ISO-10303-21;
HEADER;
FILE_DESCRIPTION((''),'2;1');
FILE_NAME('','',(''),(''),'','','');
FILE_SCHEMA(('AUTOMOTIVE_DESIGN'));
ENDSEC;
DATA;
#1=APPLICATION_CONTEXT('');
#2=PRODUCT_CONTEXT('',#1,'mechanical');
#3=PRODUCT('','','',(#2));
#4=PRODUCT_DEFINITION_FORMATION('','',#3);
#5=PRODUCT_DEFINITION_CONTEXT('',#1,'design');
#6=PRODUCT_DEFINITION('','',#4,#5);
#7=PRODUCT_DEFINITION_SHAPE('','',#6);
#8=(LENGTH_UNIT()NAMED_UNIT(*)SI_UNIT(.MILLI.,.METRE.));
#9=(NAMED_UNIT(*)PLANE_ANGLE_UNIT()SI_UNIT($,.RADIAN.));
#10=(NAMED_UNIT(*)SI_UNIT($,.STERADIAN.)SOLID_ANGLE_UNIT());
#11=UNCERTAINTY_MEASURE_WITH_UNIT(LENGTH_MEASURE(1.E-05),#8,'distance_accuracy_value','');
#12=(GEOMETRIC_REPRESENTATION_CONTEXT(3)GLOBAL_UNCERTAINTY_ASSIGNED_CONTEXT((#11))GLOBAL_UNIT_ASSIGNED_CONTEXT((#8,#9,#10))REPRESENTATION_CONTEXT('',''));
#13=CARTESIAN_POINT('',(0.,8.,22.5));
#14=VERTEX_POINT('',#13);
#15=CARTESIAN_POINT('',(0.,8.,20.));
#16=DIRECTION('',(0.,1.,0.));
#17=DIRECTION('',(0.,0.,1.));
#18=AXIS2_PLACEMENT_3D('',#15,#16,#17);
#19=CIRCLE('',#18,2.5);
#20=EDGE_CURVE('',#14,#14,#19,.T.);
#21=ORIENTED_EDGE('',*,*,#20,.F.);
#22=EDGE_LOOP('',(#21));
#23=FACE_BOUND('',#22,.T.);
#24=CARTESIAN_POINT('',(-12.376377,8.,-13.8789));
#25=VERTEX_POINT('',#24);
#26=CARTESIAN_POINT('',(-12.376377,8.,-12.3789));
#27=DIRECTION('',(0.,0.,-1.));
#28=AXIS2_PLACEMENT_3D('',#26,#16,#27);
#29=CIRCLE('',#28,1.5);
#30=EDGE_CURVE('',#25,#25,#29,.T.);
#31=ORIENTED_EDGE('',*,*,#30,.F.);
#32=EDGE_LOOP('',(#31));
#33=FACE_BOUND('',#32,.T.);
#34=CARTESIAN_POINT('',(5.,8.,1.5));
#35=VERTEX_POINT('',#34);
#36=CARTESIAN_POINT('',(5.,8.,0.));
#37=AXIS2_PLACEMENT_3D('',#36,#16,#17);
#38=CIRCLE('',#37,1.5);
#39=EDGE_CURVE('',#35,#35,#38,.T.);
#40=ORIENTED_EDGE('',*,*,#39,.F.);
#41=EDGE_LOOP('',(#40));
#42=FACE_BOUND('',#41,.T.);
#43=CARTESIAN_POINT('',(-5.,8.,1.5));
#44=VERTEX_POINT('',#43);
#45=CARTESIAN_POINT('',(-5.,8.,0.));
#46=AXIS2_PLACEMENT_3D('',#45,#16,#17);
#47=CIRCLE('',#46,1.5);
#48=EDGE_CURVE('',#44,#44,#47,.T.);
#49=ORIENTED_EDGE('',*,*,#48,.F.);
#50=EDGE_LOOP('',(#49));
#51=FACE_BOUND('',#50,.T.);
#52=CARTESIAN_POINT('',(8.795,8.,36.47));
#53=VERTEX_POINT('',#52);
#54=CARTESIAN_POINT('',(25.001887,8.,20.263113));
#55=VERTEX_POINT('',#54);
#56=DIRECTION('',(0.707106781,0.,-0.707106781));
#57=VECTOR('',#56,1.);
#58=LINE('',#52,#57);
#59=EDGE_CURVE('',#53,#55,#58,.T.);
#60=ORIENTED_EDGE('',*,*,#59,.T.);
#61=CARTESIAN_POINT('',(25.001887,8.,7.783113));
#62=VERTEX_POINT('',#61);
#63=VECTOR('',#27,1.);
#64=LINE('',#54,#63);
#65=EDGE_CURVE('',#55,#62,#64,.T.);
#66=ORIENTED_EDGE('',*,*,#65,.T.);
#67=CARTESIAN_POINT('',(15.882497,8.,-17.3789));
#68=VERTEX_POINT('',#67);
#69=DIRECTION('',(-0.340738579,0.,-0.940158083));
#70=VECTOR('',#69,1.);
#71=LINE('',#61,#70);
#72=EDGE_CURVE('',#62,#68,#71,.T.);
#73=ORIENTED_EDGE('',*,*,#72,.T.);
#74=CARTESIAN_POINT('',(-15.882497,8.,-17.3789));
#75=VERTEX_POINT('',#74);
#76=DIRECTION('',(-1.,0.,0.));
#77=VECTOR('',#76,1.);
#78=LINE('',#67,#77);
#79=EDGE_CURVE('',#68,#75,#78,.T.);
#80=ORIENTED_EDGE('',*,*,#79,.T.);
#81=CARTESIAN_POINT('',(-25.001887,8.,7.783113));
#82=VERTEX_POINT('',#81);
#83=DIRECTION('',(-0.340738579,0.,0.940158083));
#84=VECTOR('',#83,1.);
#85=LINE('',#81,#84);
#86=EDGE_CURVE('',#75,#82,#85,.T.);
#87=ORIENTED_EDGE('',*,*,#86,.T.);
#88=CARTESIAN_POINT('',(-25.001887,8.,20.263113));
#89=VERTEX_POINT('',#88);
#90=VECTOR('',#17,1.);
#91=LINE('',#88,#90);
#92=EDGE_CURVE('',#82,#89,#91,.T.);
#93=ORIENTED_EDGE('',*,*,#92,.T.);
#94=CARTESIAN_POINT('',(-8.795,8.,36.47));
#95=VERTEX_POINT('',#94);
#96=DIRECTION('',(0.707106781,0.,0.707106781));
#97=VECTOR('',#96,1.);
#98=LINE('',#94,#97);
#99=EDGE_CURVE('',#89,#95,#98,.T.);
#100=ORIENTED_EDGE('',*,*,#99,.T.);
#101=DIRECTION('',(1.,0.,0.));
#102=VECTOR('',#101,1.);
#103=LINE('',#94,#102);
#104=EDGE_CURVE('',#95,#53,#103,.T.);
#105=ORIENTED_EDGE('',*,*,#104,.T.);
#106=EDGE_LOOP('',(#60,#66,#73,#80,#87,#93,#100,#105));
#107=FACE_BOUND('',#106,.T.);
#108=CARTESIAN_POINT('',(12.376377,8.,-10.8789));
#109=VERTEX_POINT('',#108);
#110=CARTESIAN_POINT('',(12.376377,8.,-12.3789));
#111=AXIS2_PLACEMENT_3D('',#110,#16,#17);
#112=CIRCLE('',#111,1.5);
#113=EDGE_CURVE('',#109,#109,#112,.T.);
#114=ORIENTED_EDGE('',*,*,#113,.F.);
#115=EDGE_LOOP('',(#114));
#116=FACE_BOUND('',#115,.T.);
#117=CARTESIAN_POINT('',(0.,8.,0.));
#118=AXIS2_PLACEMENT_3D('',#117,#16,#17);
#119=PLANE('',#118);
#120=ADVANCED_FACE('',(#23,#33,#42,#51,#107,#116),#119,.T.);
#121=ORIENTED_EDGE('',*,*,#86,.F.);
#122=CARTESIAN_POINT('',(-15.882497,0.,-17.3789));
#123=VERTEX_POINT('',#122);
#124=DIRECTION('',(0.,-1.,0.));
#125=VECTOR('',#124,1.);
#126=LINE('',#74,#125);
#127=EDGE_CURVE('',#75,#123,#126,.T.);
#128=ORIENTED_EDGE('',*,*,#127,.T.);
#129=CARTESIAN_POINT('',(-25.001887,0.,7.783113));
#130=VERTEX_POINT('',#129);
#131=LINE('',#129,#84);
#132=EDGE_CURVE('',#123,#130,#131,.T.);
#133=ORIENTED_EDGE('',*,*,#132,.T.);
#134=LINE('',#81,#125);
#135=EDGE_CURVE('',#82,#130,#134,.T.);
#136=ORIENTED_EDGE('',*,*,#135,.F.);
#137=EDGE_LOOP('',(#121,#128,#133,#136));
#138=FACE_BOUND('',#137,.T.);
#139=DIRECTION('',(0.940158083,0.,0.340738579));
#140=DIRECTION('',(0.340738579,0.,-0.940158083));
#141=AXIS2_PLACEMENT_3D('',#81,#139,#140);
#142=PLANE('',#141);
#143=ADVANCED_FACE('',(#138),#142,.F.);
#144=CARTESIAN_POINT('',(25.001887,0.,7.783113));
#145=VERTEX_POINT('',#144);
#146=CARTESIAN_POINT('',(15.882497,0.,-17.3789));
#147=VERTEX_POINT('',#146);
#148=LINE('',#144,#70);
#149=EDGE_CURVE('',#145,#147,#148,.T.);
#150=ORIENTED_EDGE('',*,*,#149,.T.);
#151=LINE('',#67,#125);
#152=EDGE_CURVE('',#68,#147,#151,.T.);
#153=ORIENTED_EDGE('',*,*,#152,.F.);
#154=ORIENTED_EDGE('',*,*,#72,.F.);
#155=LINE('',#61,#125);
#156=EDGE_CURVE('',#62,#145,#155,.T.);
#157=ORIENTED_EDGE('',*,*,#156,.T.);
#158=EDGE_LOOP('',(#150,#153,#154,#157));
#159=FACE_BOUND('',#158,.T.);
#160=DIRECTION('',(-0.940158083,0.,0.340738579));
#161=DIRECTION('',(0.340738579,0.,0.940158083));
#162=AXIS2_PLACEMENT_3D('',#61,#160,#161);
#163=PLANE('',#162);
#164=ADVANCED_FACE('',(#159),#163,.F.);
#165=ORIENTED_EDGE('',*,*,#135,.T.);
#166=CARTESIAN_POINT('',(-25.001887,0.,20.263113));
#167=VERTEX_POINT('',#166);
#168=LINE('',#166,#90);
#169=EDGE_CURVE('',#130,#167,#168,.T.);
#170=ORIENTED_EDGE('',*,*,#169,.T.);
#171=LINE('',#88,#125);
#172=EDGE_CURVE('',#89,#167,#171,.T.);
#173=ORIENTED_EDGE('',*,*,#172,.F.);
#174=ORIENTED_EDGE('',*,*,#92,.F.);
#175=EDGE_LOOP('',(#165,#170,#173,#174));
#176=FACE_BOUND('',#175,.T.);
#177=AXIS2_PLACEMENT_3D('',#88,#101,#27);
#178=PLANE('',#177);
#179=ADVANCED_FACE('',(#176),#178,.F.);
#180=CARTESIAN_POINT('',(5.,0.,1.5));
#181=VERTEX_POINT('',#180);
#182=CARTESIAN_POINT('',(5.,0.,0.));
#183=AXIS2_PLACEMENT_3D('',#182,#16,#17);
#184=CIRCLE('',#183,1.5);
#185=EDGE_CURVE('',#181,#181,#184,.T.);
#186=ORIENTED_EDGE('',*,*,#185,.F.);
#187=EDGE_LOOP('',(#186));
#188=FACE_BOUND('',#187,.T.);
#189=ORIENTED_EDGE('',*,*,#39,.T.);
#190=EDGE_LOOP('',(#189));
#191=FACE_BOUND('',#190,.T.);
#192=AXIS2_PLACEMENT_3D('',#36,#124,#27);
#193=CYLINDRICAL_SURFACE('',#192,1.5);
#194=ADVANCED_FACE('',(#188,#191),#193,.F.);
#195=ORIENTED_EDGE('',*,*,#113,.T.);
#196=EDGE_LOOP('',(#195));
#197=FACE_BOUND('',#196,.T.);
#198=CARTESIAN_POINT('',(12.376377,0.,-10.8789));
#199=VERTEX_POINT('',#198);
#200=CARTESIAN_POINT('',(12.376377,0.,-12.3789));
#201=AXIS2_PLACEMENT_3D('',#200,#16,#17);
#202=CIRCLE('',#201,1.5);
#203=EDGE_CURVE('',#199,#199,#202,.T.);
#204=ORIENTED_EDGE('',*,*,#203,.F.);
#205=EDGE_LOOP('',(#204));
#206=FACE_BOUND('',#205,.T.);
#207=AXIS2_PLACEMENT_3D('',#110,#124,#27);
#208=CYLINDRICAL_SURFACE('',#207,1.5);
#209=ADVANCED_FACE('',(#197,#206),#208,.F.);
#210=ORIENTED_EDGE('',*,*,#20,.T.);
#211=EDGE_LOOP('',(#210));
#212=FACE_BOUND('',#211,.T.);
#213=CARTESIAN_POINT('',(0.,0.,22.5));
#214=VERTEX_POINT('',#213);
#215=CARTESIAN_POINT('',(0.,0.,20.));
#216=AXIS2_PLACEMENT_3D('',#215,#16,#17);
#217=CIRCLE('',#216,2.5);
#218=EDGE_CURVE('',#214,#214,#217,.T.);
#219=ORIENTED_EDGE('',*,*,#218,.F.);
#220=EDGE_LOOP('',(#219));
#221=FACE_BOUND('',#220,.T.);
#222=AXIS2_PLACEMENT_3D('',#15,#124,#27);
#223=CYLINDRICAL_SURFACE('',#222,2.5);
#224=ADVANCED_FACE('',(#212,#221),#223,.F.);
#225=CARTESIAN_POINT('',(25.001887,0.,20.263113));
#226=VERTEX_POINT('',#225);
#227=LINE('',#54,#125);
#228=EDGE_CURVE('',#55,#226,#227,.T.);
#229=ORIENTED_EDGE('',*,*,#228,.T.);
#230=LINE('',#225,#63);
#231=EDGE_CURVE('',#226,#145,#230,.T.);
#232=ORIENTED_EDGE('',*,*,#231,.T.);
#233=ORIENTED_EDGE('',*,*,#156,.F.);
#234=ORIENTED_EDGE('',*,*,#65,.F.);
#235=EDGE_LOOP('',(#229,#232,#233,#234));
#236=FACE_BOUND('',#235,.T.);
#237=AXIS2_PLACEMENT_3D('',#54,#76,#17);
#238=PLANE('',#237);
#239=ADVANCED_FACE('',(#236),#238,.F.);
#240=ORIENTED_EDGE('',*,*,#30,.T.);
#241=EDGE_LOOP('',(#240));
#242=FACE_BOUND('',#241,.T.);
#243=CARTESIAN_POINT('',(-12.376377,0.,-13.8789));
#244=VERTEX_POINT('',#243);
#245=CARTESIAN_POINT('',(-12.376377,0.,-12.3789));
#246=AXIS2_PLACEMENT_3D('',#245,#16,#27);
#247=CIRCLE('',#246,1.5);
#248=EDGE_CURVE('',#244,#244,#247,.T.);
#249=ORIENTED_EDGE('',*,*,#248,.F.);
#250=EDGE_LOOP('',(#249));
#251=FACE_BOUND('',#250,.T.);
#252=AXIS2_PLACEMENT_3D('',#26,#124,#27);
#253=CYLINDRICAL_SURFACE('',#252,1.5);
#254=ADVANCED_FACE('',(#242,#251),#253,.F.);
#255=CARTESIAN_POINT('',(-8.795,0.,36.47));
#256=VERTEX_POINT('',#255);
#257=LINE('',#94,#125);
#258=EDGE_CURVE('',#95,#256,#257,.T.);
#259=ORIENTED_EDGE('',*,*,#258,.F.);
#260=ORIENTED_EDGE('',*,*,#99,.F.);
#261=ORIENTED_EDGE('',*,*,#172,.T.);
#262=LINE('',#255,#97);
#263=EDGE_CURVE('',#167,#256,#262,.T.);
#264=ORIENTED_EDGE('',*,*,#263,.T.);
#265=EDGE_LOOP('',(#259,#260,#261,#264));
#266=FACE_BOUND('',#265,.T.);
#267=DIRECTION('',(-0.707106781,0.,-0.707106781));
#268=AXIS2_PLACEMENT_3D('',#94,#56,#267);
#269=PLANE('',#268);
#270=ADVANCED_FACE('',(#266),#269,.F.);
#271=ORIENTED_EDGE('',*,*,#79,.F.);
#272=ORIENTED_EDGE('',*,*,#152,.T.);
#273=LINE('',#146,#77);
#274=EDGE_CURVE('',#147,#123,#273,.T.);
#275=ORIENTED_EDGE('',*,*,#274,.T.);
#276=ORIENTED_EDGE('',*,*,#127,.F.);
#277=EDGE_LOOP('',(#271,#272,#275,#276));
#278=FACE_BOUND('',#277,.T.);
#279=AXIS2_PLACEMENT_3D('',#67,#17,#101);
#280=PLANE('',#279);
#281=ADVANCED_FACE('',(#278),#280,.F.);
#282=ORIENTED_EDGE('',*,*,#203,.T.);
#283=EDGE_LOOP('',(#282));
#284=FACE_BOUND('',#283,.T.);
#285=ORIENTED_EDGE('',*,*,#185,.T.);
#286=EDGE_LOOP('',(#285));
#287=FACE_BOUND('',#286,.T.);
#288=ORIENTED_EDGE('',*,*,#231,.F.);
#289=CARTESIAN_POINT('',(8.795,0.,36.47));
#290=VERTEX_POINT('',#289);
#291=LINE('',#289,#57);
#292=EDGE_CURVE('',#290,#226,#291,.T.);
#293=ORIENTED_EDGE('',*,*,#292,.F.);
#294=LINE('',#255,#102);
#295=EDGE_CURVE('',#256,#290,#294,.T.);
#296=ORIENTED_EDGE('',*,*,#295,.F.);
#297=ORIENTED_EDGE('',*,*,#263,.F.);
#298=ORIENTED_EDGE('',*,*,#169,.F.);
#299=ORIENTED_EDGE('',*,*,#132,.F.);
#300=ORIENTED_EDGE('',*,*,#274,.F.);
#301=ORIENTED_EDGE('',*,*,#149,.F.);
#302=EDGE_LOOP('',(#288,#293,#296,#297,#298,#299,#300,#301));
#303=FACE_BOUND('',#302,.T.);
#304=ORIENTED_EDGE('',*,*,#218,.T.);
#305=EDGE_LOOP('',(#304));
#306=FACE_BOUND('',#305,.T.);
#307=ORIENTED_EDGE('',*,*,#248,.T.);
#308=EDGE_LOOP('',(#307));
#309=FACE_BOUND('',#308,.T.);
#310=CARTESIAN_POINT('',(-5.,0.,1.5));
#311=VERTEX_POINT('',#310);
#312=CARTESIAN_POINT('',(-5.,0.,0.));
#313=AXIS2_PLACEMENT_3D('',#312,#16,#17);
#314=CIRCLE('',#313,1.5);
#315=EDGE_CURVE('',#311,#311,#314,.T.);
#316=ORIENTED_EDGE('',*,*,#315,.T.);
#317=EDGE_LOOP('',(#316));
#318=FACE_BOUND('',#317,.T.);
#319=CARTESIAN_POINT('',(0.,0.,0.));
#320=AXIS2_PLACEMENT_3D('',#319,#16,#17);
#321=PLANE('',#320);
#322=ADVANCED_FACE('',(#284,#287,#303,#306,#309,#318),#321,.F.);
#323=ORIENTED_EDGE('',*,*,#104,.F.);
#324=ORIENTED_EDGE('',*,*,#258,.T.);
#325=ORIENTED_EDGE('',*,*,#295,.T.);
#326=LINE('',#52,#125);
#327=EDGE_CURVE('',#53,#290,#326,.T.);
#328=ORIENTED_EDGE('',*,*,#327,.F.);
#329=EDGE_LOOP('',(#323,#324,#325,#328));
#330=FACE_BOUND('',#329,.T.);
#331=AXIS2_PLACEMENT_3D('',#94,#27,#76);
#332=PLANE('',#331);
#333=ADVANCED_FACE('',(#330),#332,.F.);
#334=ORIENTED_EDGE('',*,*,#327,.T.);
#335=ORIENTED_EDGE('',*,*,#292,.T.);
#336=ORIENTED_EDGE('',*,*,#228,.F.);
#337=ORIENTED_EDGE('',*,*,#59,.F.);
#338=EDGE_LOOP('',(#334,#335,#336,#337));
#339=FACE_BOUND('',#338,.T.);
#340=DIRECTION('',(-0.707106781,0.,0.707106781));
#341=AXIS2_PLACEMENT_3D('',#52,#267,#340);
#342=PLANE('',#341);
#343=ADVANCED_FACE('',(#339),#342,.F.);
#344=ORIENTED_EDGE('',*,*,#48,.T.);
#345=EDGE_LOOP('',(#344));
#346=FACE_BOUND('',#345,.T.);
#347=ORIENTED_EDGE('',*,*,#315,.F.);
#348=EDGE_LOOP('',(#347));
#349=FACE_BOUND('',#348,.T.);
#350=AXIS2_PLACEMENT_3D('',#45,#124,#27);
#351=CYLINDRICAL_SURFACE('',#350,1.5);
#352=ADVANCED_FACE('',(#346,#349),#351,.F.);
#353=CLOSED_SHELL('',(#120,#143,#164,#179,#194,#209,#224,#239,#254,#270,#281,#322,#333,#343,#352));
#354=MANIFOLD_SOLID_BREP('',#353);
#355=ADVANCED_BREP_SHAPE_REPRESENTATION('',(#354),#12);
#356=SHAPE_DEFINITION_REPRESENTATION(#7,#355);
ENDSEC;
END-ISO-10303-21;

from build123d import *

# Parameters (mm, degrees)
SKETCH1_R           = 1.5
SKETCH1_R_2         = 2.5
BOSS_EXTRUDE1_DEPTH = 8


with BuildPart() as part:
    # Sketch1 → Boss-Extrude1 (new body)
    with BuildSketch(Plane(origin=(0, 0, 0), x_dir=(1, 0, 0), z_dir=(0, 1, 0))):
        Polygon((-8.795, -36.47), (8.795, -36.47), (25.001887425, -20.263112575), (25.001887425, -7.783112575), (15.88249732, 17.378899724), (-15.88249732, 17.378899724), (-25.001887425, -7.783112575), (-25.001887425, -20.263112575), align=None)
        with Locations((-5, 0)):
            Circle(SKETCH1_R, mode=Mode.SUBTRACT)
        with Locations((5, 0)):
            Circle(SKETCH1_R, mode=Mode.SUBTRACT)
        with Locations((0, -20)):
            Circle(SKETCH1_R_2, mode=Mode.SUBTRACT)
        with Locations((12.37637727, 12.378899724)):
            Circle(SKETCH1_R, mode=Mode.SUBTRACT)
        with Locations((-12.37637727, 12.378899724)):
            Circle(SKETCH1_R, mode=Mode.SUBTRACT)
    extrude(amount=BOSS_EXTRUDE1_DEPTH)


solid = part.part
